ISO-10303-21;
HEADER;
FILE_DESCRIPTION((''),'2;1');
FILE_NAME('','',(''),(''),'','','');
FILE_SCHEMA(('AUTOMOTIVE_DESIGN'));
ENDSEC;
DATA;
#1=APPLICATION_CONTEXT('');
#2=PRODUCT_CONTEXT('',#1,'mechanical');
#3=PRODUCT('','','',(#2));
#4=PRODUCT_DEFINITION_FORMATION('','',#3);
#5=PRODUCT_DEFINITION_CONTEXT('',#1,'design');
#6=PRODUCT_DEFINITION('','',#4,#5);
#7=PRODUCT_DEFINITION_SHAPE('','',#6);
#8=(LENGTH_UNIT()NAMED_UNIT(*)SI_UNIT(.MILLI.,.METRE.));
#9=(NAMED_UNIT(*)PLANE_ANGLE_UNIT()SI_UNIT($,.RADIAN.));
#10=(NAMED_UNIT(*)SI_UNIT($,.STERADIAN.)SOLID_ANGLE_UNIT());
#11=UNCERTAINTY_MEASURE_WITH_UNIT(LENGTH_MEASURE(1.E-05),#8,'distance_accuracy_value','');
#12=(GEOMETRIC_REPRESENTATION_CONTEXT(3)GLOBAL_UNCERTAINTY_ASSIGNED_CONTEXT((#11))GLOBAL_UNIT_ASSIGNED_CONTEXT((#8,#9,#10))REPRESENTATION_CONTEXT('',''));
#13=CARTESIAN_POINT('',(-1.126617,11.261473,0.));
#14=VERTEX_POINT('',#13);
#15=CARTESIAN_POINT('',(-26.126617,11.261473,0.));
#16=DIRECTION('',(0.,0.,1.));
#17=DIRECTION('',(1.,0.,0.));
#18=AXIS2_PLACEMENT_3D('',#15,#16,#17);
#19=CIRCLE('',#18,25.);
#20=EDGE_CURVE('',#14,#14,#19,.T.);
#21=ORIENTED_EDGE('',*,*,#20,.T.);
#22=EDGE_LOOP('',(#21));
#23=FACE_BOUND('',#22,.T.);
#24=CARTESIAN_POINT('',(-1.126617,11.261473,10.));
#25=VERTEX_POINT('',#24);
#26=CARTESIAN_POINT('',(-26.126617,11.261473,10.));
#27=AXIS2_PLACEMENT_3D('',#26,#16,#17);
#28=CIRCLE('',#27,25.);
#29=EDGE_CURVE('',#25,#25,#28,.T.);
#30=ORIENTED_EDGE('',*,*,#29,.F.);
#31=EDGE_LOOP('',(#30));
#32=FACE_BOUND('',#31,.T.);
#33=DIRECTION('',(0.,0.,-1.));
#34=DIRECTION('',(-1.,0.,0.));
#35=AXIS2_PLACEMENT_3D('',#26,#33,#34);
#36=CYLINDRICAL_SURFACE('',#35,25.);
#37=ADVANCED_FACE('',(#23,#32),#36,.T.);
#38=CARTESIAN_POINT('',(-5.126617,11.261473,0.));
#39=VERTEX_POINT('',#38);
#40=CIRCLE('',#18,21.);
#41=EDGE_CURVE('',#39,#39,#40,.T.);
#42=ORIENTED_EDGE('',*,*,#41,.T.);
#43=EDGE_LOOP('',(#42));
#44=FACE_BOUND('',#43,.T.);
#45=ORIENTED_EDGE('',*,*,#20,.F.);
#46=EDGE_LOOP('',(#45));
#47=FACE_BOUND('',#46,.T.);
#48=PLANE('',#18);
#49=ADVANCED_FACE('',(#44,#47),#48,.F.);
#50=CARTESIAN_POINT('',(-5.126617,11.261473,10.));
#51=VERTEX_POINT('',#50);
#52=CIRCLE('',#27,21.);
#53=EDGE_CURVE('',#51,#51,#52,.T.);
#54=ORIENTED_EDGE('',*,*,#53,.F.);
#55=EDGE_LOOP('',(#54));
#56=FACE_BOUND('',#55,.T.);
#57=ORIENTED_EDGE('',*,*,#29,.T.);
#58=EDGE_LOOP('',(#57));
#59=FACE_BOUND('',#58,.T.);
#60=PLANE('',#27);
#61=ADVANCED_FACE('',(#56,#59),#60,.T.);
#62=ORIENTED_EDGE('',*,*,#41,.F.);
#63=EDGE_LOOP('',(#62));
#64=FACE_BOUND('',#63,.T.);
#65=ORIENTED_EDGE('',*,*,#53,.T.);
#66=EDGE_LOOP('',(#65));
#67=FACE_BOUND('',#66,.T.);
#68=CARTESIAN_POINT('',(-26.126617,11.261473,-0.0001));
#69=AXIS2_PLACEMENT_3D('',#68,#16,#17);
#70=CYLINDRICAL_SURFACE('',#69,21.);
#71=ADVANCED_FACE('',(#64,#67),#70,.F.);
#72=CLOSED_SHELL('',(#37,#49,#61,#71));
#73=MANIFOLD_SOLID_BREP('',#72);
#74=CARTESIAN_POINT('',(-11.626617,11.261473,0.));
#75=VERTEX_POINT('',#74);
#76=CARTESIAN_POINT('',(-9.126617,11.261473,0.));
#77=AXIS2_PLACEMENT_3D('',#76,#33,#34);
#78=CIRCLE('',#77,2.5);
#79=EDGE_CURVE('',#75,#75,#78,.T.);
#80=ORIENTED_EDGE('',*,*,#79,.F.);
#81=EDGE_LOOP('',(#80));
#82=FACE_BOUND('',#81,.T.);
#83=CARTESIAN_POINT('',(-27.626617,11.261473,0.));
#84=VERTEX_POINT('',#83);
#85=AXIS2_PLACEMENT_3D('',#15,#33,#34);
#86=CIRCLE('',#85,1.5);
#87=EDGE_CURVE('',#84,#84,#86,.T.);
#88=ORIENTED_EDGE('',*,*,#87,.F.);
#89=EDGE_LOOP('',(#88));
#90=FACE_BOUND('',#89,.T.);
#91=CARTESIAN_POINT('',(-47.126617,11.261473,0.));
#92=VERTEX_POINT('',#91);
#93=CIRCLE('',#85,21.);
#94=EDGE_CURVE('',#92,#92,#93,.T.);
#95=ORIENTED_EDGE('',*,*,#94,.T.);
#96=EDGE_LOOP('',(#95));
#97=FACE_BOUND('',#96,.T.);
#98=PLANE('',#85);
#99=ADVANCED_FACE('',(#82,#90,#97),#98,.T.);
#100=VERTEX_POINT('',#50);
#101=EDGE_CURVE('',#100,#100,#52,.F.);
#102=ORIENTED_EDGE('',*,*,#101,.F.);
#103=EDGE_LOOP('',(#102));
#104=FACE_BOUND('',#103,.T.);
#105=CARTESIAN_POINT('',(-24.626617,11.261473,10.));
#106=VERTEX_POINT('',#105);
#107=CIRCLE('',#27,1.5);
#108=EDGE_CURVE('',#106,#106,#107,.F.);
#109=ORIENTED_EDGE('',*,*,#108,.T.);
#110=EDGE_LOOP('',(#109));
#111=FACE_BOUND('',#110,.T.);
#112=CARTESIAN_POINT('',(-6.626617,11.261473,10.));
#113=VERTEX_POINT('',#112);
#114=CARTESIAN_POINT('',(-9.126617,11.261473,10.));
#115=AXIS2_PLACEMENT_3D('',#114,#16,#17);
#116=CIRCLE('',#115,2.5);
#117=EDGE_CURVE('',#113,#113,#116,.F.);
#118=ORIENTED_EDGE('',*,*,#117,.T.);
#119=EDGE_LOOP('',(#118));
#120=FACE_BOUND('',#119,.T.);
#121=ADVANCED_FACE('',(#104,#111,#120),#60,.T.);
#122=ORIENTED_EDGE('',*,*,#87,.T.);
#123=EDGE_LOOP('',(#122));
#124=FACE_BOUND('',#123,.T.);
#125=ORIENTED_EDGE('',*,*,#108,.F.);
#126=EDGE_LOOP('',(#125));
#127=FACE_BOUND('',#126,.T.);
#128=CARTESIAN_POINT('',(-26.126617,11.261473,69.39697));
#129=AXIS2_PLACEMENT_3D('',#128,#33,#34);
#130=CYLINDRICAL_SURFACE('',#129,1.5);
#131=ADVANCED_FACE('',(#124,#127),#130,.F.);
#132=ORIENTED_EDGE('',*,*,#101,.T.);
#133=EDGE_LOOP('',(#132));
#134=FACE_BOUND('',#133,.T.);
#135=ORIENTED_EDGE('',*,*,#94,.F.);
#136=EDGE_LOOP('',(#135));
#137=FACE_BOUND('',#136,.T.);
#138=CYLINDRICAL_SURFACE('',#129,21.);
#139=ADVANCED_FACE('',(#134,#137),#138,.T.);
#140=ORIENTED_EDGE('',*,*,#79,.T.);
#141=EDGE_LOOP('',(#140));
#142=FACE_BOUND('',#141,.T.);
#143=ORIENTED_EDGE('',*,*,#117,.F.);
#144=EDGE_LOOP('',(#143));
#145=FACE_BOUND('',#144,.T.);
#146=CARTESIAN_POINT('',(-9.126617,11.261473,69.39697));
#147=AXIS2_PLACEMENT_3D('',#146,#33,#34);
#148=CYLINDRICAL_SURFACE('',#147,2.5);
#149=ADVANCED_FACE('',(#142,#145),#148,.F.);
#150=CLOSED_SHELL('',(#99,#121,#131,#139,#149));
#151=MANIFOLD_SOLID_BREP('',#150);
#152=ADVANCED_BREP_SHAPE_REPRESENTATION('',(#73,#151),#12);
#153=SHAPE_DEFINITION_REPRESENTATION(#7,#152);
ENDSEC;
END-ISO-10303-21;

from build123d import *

# Parameters (mm, degrees)
SKETCH1_R           = 25
BOSS_EXTRUDE1_DEPTH = 10
SKETCH3_R           = 21
BOSS_EXTRUDE2_DEPTH = 10.0001
SKETCH4_R           = 21
SKETCH4_R_2         = 1.5
SKETCH4_R_3         = 2.5
BOSS_EXTRUDE3_DEPTH = 10


with BuildPart() as part:
    # Sketch1 → Boss-Extrude1 (new body)
    with BuildSketch(Plane.XY):
        with Locations((-26.126616779, 11.26147275)):
            Circle(SKETCH1_R)
    extrude(amount=BOSS_EXTRUDE1_DEPTH)


with BuildPart() as body_2:
    # Sketch3 → Boss-Extrude2 (new body)
    with BuildSketch(Plane.XY.offset(10)):
        with Locations((-26.126616779, 11.26147275)):
            Circle(SKETCH3_R)
    extrude(amount=-BOSS_EXTRUDE2_DEPTH)


with BuildPart() as part_1:
    add(part.part)

    # Combine1: cut body 2
    add(body_2.part, mode=Mode.SUBTRACT)


with BuildPart() as body_2_2:
    # Sketch4 → Boss-Extrude3 (new body)
    with BuildSketch(Plane(origin=(0, 0, 0), x_dir=(-1, 0, 0), z_dir=(0, 0, -1))):
        with Locations((26.126616779, 11.26147275)):
            Circle(SKETCH4_R)
        with Locations((26.126616779, 11.26147275)):
            Circle(SKETCH4_R_2, mode=Mode.SUBTRACT)
        with Locations((9.126616779, 11.26147275)):
            Circle(SKETCH4_R_3, mode=Mode.SUBTRACT)
    extrude(amount=-BOSS_EXTRUDE3_DEPTH)


solid = Compound([part_1.part, body_2_2.part])
